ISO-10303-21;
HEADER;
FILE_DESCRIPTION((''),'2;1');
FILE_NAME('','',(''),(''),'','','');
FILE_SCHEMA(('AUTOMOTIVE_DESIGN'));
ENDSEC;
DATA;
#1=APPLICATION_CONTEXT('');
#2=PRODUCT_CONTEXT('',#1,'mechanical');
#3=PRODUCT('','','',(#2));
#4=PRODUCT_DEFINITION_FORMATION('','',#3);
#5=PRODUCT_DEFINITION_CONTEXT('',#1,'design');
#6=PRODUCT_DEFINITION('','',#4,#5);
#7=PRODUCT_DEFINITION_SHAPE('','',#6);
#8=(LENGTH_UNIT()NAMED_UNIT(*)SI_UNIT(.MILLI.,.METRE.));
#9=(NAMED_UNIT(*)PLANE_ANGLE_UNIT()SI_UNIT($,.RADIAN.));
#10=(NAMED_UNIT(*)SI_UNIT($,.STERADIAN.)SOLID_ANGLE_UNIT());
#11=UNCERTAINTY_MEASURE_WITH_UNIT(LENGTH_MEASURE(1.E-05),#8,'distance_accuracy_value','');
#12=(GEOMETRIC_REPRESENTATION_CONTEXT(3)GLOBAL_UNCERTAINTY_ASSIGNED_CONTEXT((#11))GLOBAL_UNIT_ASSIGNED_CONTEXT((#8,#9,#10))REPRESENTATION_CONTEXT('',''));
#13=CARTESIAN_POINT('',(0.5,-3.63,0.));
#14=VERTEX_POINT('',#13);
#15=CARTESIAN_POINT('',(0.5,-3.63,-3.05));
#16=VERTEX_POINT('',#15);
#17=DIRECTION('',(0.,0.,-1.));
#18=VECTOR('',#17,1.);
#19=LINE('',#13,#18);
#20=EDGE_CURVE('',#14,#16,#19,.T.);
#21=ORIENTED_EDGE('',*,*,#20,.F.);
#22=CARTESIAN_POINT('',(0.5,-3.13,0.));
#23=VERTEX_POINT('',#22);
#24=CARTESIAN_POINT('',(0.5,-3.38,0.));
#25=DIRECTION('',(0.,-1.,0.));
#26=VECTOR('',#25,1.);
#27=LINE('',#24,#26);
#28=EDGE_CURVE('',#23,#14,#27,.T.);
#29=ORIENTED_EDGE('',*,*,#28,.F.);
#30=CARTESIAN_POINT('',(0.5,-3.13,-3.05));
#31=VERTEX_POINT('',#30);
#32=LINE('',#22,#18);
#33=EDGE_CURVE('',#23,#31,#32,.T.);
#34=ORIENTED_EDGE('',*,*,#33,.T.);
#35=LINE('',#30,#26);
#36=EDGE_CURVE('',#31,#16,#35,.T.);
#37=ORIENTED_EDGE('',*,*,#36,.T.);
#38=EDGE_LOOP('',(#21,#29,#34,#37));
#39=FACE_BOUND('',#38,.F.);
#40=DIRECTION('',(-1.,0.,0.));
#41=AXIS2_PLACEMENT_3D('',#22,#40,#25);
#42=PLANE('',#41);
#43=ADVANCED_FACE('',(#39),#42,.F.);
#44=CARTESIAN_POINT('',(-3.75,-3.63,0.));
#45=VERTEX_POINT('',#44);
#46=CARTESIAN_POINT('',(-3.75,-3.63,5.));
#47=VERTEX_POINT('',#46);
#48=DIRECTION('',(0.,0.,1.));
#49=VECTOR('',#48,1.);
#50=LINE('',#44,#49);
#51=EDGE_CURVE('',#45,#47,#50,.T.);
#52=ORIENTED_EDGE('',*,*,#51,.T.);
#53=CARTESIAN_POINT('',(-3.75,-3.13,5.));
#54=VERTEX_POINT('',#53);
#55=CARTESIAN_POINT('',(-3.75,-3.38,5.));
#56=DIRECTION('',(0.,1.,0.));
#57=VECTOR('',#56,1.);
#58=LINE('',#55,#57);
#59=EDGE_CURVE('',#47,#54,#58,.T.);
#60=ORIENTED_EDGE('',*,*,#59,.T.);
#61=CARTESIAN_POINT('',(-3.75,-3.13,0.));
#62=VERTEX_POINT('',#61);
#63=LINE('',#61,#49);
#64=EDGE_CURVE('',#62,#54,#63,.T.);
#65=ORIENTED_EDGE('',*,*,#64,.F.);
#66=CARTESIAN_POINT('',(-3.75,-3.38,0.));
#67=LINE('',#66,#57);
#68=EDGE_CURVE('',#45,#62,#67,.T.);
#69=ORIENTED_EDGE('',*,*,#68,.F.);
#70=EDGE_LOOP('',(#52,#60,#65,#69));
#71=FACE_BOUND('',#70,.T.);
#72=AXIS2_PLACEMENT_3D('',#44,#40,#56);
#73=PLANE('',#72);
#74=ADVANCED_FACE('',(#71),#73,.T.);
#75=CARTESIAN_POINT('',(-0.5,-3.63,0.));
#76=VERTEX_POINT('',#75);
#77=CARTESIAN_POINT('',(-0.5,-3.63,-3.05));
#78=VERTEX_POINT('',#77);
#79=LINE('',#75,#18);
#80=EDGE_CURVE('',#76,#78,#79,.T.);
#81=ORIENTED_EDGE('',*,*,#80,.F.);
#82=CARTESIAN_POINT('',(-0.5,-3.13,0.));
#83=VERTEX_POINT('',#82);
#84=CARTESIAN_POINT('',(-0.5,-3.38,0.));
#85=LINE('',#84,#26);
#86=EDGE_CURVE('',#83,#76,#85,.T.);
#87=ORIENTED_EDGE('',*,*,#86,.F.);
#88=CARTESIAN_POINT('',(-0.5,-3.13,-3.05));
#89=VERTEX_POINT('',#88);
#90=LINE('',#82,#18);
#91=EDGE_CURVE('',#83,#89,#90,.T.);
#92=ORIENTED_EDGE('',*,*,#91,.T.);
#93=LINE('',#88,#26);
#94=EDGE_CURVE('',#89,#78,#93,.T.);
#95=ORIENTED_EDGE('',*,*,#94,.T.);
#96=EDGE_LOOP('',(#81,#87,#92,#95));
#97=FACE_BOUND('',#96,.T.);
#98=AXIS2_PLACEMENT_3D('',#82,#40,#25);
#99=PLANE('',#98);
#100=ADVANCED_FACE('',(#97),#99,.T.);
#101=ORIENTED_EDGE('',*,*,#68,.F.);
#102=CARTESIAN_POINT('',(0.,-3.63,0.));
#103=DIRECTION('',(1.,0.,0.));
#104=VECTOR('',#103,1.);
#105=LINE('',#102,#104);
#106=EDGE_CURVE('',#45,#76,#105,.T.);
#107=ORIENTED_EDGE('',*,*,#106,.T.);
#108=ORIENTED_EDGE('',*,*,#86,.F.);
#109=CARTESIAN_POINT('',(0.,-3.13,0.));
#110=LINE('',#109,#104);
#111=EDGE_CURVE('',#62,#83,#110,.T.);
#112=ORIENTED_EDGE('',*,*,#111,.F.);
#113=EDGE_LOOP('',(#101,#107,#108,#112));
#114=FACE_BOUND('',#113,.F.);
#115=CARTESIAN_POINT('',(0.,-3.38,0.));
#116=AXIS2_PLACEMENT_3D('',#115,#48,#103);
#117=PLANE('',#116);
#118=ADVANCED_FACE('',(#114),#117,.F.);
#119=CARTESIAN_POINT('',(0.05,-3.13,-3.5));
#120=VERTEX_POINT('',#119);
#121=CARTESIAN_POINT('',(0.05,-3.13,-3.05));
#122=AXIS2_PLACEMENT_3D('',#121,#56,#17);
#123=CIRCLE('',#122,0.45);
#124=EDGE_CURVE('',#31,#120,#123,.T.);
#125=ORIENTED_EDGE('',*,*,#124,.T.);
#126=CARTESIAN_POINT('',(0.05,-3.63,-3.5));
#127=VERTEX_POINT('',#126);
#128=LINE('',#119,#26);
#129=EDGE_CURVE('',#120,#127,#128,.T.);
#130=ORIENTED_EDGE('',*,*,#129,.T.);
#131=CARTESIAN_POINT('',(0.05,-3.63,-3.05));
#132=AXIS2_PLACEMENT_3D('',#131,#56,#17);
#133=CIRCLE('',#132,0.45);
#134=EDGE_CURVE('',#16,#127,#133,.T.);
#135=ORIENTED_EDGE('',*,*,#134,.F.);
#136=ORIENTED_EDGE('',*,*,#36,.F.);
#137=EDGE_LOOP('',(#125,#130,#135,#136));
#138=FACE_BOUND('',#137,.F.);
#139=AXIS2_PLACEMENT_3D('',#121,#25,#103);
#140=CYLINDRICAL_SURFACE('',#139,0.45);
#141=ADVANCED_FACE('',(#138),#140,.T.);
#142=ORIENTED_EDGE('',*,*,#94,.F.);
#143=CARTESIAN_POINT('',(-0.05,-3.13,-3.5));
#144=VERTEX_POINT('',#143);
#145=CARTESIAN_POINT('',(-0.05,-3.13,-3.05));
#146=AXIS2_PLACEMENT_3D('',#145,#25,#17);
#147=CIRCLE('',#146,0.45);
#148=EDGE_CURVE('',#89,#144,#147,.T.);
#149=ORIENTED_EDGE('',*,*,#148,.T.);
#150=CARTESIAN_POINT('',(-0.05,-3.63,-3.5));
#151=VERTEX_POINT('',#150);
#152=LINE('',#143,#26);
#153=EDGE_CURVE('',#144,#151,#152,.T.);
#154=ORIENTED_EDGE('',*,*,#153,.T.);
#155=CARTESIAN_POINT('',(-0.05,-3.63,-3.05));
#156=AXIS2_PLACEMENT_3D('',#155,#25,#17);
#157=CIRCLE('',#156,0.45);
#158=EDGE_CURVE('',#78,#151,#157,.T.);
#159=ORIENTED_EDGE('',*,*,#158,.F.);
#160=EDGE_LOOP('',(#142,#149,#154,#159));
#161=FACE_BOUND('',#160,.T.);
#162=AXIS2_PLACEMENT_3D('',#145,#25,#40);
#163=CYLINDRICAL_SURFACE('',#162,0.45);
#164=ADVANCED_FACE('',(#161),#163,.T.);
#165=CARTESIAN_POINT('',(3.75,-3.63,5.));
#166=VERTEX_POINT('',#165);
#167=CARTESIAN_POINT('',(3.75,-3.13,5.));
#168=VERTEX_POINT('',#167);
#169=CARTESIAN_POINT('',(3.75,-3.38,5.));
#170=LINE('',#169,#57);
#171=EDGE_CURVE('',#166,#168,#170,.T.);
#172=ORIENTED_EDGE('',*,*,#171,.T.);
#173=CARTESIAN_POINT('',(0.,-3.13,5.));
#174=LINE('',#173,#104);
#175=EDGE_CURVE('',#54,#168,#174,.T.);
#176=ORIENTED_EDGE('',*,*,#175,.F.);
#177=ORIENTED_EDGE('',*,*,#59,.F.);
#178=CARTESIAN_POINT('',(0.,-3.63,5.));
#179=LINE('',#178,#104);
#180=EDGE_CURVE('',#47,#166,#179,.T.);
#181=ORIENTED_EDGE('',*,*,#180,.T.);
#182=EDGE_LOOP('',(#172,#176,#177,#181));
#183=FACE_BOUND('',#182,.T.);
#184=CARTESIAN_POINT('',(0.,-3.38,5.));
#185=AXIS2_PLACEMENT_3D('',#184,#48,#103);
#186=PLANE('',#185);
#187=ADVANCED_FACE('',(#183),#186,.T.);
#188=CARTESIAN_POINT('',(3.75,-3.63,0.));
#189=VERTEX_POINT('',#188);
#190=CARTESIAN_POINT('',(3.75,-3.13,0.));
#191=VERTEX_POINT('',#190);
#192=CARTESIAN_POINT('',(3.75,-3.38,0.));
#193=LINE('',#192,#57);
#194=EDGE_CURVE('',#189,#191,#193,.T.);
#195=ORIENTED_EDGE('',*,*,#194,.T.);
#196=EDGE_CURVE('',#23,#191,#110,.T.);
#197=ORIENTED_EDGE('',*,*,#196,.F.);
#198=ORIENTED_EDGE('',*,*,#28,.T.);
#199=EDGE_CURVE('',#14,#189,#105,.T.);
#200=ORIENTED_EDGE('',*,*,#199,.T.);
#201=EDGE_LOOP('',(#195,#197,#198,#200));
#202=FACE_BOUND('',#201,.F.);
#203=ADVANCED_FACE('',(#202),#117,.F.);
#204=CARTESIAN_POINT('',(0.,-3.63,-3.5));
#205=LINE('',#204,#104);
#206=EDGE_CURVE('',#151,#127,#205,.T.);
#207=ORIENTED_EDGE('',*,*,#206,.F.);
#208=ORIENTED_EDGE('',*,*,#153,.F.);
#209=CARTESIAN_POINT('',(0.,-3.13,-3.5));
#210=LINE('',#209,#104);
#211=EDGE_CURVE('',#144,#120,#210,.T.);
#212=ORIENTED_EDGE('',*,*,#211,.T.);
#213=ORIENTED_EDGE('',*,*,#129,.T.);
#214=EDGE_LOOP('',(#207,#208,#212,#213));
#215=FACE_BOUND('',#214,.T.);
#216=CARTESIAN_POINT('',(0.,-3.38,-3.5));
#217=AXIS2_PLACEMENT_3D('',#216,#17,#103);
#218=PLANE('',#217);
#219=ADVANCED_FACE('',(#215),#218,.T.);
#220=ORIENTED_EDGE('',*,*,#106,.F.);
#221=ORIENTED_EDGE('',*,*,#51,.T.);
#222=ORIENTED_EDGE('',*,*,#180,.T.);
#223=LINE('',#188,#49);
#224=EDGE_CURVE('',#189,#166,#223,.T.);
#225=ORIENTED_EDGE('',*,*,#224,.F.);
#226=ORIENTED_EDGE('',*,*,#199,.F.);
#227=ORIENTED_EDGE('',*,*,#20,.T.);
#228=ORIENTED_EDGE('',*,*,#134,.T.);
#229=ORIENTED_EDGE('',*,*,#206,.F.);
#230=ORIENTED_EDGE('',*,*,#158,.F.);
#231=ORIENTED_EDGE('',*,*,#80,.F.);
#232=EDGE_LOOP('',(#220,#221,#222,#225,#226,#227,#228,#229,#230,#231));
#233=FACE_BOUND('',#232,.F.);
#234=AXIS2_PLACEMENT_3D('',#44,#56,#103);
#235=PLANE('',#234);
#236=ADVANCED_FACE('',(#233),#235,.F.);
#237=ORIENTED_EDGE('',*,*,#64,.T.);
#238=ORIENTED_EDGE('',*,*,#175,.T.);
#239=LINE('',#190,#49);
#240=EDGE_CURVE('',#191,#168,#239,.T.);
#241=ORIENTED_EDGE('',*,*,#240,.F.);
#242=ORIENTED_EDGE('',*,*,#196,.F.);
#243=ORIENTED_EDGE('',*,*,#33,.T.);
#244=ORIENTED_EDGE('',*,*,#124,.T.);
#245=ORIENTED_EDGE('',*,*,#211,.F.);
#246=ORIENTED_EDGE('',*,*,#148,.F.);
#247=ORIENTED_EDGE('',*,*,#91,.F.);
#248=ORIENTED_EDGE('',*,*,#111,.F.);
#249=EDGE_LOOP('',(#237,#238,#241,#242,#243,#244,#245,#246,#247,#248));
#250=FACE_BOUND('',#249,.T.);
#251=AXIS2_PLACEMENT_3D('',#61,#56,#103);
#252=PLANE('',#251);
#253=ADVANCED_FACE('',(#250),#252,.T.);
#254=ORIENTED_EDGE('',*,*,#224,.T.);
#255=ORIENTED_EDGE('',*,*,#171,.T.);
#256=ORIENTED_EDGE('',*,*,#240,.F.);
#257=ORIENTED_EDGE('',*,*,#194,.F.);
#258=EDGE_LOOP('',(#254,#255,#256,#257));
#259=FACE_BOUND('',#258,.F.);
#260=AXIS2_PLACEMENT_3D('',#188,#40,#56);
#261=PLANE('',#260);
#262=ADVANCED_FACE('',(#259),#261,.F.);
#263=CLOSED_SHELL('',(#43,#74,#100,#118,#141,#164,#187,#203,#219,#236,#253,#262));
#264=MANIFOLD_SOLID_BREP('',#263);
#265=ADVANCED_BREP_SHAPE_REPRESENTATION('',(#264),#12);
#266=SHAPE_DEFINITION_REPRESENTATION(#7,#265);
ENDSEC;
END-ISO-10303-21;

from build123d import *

# Parameters (mm, degrees)
SKETCH025_W  = 7.5
SKETCH025_H  = 0.5
PAD009_DEPTH = 5
SKETCH026_W  = 1
SKETCH026_H  = 0.5
PAD010_DEPTH = 3.5
FILLET005_R  = 0.45


with BuildPart() as part:
    # Sketch025 → Pad009 (new body)
    with BuildSketch(Plane.XY):
        with Locations((0, -3.38)):
            Rectangle(SKETCH025_W, SKETCH025_H)
    extrude(amount=PAD009_DEPTH)

    # Sketch026 (on Face5 of Pad009) → Pad010 (join)
    with BuildSketch(Plane(origin=(0, 0, 0), x_dir=(1, 0, 0), z_dir=(0, 0, -1))):
        with Locations((0, 3.38)):
            Rectangle(SKETCH026_W, SKETCH026_H)
    extrude(amount=PAD010_DEPTH)

    # Fillet005
    fillet005_edges = [part.edges().sort_by_distance(p)[0] for p in [
        (0.5, -3.38, -3.5),
        (-0.5, -3.38, -3.5),
    ]]
    fillet(fillet005_edges, radius=FILLET005_R)


solid = part.part
